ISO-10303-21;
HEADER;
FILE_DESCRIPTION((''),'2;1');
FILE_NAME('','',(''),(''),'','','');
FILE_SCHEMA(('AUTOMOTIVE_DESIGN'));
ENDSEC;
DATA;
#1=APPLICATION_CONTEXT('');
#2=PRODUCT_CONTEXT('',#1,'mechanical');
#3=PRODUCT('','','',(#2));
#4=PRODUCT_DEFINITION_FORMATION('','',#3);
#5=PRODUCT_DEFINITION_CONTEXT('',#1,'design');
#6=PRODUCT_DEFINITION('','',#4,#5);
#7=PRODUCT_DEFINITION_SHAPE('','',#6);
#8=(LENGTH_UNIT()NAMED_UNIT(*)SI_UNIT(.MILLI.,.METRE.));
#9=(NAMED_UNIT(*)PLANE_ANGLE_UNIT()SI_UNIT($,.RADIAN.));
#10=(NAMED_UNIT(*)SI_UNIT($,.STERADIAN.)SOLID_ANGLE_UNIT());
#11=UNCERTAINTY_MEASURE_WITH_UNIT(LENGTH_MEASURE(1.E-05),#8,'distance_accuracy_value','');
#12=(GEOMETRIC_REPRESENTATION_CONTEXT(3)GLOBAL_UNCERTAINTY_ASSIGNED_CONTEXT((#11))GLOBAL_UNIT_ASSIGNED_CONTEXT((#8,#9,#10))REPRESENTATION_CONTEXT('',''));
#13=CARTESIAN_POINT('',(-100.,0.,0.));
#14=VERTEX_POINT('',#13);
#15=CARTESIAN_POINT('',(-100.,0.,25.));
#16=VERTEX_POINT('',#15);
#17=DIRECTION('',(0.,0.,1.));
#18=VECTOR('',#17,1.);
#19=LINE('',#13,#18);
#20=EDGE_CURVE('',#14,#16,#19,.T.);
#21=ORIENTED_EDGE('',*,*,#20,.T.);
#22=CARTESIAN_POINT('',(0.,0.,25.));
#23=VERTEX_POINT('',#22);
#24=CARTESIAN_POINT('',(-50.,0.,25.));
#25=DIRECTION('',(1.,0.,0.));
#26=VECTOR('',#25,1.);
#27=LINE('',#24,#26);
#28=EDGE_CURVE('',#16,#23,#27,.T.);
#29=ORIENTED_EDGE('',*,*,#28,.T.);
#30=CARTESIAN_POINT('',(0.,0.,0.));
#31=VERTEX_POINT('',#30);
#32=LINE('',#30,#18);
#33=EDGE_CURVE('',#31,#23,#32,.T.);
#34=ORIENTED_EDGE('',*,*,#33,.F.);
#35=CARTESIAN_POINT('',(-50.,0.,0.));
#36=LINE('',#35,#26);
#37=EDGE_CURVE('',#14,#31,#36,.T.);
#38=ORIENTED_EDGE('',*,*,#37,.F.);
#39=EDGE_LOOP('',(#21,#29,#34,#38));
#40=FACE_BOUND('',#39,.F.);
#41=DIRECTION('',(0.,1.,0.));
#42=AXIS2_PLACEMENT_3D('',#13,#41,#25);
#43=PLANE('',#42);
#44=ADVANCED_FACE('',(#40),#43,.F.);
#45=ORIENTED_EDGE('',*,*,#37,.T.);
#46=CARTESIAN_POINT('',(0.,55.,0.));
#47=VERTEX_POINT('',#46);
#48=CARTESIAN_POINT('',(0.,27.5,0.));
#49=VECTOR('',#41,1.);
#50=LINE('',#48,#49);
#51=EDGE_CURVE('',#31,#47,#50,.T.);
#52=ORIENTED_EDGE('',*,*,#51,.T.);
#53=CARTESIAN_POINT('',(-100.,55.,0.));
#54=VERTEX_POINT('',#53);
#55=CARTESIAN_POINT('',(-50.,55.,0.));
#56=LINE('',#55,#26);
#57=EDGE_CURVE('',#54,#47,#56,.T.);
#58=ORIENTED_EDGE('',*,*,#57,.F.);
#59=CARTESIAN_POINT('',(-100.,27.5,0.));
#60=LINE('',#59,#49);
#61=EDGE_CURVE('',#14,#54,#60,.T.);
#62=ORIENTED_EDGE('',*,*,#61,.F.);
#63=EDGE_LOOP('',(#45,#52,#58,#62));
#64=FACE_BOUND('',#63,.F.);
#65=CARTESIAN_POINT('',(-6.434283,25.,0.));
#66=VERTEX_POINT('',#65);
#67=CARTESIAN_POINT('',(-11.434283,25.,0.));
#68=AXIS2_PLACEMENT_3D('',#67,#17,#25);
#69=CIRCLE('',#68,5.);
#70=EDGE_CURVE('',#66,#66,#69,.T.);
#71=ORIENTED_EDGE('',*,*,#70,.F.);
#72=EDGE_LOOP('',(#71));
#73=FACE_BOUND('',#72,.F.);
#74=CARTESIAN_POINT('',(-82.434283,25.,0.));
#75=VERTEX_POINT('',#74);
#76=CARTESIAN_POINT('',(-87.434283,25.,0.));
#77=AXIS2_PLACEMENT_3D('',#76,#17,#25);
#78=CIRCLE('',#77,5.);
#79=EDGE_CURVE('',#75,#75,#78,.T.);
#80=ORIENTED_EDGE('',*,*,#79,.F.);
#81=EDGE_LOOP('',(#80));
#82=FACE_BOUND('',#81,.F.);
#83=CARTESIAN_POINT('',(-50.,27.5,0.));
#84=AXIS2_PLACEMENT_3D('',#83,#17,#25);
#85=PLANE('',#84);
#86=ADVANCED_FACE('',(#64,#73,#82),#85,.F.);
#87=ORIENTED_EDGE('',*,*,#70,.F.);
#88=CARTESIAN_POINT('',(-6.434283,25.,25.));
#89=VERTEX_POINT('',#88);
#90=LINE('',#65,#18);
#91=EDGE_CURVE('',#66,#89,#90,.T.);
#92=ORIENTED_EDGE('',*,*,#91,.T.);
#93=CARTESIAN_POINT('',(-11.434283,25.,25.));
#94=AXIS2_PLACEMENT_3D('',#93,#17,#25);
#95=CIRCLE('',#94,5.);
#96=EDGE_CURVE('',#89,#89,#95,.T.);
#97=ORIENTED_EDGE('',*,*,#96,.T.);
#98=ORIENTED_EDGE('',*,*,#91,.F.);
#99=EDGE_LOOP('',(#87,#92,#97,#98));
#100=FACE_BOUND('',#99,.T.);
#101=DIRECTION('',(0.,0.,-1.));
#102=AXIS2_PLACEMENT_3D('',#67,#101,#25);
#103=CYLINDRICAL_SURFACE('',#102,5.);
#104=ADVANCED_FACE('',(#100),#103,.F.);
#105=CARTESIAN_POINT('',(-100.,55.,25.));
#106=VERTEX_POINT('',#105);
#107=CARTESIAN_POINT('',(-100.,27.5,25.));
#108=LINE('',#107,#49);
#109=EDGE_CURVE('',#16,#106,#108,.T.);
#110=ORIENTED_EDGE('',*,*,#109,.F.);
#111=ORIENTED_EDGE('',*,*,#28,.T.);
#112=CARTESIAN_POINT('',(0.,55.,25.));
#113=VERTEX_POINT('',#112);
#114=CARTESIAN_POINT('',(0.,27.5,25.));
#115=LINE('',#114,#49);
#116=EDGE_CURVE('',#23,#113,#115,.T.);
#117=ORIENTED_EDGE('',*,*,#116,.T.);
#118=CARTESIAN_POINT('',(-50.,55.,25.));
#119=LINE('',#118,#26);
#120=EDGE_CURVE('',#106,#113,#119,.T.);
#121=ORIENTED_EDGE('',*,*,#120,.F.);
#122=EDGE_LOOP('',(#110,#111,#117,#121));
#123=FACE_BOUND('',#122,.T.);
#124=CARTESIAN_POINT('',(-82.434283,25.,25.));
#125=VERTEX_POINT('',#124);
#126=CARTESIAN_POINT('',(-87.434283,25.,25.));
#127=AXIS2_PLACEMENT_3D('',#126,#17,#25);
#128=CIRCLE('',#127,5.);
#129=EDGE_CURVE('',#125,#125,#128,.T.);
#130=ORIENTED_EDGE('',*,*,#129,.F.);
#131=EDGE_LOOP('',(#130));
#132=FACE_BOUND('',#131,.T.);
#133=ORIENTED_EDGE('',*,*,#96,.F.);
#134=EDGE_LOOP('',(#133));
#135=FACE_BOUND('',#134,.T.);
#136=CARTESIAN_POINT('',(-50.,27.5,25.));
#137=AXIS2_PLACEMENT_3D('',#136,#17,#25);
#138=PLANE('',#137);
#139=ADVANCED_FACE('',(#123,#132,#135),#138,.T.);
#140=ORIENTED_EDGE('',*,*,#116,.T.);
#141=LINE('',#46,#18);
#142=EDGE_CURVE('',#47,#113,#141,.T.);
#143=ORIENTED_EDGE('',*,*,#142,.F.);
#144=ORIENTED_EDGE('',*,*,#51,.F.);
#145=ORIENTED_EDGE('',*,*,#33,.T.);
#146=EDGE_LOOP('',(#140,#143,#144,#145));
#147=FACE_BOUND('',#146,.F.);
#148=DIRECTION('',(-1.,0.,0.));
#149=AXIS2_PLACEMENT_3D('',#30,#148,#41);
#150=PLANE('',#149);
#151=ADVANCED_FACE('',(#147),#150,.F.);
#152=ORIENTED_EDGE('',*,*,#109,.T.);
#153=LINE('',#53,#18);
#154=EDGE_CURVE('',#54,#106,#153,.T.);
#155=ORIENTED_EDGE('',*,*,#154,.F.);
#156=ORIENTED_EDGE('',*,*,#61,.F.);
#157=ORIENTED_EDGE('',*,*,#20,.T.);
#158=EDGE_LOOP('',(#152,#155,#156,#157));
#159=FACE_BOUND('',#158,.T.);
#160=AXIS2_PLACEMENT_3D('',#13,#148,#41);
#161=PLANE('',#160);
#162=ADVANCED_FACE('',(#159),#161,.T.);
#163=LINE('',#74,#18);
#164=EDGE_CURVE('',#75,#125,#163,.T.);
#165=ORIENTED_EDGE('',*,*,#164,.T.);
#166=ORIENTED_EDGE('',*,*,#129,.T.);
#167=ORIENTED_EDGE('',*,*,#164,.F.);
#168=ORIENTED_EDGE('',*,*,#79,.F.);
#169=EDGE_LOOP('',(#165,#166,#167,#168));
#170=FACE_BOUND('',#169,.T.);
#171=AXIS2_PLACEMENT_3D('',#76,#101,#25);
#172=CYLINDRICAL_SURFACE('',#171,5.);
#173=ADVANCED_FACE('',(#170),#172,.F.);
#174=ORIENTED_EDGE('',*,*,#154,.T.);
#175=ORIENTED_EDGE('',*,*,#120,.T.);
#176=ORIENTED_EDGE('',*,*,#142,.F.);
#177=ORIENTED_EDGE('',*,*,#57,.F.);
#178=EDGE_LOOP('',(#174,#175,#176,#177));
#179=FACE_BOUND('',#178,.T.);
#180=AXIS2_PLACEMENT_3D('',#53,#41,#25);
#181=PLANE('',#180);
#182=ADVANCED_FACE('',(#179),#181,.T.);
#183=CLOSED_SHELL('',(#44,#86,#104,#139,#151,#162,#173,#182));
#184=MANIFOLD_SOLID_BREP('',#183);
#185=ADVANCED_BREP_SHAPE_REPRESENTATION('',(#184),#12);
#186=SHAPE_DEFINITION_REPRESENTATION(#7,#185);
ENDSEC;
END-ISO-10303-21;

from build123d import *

# Parameters (mm, degrees)
F0_W     = 100
F0_H     = 55
F1_DEPTH = 25
F2_R     = 5
F3_DEPTH = 25


with BuildPart() as f1:
    # F0 (on Top) → F1 (new body)
    with BuildSketch(Plane.XY):
        with Locations((-50, 27.5)):
            Rectangle(F0_W, F0_H)
    extrude(amount=F1_DEPTH)

    # F2 (on Top) → F3 (cut)
    with BuildSketch(Plane.XY):
        with Locations((-87.434283, 25)):
            Circle(F2_R)
        with Locations((-11.434283, 25)):
            Circle(F2_R)
    extrude(amount=F3_DEPTH, mode=Mode.SUBTRACT)


solid = f1.part
